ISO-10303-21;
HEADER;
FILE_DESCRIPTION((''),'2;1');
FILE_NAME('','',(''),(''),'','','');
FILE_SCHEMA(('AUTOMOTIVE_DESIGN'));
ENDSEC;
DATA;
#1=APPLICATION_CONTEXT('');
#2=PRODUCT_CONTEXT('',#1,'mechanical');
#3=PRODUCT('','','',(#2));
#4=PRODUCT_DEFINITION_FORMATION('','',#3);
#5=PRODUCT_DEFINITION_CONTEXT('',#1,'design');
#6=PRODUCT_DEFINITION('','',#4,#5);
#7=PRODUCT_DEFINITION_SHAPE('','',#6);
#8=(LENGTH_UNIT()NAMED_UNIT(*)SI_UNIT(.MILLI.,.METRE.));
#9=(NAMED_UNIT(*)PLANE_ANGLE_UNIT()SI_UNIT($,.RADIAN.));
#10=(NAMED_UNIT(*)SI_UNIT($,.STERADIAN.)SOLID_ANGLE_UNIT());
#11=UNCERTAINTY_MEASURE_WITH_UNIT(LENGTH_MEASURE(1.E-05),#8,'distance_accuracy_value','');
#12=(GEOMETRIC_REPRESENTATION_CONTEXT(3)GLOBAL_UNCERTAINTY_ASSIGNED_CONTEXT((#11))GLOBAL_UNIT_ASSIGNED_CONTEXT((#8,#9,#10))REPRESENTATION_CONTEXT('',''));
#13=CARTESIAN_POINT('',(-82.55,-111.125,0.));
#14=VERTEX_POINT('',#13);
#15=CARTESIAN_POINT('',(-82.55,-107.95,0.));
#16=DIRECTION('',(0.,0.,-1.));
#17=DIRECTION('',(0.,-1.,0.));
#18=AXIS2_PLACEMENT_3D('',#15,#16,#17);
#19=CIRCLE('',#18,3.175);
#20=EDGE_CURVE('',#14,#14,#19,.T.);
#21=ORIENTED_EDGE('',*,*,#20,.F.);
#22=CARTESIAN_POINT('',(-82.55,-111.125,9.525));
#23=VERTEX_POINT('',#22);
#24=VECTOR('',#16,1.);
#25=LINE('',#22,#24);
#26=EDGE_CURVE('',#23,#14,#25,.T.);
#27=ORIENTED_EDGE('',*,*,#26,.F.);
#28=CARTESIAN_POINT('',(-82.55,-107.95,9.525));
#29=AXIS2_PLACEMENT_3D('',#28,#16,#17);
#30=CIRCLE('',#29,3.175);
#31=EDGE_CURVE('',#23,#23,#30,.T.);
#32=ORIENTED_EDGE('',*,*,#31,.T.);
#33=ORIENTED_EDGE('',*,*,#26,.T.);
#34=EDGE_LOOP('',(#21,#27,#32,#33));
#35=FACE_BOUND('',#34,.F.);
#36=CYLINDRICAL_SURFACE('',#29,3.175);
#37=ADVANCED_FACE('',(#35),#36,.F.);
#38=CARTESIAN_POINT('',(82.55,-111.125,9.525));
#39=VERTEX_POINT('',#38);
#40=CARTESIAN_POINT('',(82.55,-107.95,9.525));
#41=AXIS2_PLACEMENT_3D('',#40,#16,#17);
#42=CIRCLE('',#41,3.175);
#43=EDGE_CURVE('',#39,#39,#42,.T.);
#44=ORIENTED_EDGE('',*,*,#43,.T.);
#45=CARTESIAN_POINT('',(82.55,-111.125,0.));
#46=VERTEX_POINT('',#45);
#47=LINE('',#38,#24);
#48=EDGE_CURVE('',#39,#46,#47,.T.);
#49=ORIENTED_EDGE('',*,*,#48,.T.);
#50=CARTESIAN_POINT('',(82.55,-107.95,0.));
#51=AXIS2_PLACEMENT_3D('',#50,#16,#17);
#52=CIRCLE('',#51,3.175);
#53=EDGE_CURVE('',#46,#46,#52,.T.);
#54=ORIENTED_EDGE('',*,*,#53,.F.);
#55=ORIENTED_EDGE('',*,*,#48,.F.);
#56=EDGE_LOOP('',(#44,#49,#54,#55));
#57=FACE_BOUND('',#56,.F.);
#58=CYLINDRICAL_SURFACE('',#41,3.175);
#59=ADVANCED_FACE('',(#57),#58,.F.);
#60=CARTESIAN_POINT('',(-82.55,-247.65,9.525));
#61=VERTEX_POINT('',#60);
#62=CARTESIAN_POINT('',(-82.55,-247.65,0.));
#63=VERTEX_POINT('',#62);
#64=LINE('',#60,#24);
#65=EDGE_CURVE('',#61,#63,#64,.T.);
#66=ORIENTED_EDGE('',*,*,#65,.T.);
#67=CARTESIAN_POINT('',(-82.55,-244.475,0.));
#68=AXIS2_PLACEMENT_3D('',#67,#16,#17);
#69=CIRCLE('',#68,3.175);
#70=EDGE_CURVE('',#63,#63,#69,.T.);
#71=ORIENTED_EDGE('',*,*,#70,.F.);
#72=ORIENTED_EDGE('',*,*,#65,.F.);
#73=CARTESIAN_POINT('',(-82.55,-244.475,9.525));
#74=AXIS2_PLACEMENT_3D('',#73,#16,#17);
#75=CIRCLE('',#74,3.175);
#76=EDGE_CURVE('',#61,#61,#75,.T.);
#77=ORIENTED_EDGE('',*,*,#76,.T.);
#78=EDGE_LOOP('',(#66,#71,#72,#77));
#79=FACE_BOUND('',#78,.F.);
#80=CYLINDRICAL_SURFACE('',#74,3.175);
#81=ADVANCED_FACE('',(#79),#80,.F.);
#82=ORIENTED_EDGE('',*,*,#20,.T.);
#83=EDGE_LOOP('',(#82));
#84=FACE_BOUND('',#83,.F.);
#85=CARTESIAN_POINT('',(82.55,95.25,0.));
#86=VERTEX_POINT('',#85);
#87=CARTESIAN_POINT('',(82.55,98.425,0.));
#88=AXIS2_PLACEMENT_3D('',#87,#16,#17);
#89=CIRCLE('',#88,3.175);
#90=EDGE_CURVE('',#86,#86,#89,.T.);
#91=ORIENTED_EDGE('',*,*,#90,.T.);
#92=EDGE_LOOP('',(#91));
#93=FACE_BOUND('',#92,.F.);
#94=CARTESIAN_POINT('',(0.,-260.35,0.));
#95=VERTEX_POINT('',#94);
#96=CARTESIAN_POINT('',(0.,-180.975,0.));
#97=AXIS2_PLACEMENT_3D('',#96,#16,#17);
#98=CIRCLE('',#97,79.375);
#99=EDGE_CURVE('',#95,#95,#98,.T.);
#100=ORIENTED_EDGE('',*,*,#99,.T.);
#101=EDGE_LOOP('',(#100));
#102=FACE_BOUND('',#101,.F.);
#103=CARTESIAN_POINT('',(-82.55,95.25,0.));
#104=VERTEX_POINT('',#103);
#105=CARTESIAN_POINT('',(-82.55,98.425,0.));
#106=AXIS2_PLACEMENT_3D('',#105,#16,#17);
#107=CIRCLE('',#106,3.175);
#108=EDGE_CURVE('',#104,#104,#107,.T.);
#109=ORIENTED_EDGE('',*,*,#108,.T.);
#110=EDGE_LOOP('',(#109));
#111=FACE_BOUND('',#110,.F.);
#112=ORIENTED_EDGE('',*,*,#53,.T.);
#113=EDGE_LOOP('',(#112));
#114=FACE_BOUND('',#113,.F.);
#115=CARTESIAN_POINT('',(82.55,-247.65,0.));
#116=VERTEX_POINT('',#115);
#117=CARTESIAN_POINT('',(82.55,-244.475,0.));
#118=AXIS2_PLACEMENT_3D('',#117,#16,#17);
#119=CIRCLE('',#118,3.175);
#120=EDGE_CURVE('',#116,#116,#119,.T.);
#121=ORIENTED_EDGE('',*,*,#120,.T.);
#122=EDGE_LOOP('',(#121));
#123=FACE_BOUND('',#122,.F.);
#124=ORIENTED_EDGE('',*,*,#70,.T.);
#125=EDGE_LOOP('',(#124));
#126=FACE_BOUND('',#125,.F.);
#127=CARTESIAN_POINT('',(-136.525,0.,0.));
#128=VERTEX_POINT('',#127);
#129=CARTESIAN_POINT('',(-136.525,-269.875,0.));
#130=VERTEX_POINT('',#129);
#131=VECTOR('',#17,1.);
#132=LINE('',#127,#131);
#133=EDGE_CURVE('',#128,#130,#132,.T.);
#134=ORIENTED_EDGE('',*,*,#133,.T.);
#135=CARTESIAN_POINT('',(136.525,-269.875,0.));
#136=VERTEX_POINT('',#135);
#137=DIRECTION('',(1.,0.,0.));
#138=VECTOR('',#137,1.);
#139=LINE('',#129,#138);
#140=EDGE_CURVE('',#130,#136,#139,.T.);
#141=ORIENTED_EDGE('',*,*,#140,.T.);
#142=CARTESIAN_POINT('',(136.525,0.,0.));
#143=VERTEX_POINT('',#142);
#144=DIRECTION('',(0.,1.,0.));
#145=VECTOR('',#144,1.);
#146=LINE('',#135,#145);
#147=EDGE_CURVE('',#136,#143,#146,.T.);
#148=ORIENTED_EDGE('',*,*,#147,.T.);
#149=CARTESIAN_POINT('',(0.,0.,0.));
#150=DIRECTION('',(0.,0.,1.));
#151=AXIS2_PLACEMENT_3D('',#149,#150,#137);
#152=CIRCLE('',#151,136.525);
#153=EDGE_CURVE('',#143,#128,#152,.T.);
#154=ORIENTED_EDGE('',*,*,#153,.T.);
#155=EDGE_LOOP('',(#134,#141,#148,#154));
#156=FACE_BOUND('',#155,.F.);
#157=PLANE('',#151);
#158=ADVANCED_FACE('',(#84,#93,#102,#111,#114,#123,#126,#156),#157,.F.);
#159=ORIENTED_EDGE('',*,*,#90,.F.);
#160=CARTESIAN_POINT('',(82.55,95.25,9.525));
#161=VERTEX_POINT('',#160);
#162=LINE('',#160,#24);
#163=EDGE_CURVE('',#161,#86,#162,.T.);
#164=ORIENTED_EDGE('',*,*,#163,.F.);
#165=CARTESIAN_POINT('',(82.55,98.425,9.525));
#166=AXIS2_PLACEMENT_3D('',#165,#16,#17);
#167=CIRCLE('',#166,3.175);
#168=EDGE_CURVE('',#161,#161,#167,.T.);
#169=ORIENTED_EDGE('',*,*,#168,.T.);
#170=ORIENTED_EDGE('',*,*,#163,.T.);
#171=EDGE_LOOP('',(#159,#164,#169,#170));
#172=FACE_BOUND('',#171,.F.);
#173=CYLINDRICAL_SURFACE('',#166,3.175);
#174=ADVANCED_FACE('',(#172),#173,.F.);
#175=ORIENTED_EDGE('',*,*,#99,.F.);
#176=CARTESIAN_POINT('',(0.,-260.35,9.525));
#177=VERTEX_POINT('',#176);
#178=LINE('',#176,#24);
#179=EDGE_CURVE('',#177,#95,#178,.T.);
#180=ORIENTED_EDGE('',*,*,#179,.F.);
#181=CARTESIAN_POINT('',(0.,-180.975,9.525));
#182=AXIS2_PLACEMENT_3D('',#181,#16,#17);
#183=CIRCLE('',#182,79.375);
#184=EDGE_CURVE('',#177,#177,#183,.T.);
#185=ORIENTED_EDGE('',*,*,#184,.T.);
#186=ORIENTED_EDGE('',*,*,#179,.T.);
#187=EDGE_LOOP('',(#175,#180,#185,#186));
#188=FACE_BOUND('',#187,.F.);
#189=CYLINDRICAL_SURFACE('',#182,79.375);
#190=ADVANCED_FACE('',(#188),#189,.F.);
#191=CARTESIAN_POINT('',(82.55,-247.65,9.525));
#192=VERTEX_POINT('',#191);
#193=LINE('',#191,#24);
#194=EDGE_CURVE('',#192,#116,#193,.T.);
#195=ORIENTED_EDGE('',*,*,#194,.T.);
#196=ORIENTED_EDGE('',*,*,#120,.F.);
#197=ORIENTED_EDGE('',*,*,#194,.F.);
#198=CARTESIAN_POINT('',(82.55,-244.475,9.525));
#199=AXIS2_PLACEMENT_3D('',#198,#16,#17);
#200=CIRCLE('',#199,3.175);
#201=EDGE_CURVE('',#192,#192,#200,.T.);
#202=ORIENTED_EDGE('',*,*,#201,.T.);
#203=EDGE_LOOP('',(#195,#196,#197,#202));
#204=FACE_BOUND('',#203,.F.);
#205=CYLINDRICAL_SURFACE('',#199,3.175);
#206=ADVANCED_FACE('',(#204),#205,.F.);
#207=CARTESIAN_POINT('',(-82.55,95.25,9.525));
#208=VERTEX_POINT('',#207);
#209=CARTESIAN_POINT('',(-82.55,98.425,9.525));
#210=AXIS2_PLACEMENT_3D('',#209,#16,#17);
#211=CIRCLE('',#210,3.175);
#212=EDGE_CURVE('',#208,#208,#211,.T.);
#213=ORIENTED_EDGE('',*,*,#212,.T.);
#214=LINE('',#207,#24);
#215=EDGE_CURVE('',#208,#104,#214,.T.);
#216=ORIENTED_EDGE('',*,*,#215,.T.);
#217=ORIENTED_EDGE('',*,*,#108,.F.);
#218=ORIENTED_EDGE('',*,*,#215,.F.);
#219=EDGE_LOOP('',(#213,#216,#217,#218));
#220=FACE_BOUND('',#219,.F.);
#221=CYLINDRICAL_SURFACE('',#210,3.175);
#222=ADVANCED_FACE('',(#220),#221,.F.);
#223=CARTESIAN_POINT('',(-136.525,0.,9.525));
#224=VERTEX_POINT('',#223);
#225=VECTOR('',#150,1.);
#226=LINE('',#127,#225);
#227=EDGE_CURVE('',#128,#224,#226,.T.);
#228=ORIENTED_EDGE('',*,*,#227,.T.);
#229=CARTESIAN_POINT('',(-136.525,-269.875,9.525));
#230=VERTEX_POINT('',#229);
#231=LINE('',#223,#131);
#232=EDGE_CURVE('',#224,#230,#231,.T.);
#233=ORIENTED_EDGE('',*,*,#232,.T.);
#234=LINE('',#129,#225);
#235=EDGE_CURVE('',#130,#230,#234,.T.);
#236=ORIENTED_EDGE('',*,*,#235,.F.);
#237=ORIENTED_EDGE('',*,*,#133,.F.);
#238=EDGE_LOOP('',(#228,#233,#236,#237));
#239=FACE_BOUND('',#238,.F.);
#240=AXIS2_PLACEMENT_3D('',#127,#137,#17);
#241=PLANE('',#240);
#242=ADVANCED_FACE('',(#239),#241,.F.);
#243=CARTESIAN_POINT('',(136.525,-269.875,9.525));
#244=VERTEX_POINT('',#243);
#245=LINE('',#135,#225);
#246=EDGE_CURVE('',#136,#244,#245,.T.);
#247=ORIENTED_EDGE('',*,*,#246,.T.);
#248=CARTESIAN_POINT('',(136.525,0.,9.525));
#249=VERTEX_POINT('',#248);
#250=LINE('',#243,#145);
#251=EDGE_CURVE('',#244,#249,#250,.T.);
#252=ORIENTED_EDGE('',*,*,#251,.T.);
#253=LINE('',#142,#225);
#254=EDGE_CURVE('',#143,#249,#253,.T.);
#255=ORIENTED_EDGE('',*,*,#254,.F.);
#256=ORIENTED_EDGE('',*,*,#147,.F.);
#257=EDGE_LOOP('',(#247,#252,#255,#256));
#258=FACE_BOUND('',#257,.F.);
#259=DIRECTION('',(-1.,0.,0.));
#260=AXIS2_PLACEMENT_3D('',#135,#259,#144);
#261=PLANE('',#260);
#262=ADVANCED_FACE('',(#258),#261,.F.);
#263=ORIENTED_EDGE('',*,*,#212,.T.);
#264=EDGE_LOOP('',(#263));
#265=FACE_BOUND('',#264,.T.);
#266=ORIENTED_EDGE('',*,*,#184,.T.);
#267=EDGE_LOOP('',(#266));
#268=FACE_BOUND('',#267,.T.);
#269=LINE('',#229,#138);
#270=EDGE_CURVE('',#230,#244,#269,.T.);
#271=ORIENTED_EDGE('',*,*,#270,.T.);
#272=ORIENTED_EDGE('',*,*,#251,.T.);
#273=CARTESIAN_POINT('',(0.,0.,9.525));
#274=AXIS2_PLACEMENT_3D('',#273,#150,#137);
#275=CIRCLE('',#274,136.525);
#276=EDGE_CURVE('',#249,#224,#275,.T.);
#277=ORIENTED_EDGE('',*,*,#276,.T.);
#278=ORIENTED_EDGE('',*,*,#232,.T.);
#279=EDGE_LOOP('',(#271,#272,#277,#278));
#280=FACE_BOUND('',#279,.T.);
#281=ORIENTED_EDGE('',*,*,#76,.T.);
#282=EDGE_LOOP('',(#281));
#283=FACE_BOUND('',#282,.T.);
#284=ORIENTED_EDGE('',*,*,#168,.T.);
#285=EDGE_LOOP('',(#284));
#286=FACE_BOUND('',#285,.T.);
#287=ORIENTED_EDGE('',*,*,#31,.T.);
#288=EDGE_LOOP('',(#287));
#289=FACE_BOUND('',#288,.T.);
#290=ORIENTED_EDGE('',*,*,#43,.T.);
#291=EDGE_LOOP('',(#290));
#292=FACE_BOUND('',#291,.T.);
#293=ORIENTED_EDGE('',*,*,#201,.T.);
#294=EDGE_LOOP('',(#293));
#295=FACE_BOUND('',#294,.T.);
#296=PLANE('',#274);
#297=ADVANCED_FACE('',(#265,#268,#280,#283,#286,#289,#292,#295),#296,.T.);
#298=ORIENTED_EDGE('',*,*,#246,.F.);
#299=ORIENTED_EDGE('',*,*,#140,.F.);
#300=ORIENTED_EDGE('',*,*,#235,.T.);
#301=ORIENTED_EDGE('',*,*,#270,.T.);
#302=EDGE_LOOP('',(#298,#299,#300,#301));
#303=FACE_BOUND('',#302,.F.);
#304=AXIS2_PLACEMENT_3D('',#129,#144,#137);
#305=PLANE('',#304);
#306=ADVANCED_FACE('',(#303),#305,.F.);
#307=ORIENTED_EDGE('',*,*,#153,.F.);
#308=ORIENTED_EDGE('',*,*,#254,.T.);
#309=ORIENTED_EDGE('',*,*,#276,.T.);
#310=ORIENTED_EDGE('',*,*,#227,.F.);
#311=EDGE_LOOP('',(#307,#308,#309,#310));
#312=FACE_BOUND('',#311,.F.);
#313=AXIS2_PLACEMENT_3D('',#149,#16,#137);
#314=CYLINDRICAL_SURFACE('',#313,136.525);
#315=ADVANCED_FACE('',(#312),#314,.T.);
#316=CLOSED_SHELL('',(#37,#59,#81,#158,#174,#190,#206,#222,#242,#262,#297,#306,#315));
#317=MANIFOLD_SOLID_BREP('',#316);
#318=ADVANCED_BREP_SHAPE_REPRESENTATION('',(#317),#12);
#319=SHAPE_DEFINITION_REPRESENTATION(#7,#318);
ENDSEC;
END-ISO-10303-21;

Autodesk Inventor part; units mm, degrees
ref_plane "YZ Plane" through (0, 0, 0) normal (1, 0, 0) x (0, 1, 0)
ref_plane "XZ Plane" through (0, 0, 0) normal (0, 1, 0) x (-1, 0, 0)
ref_plane "XY Plane" through (0, 0, 0) normal (0, 0, 1) x (1, 0, 0)
sketch "Sketch1" plane through (0, 0, 0) normal (0, 0, 1) x (1, 0, 0)
  line L0 (-136.525, 0) -> (-136.525, -269.875)
  line L1 (-136.525, -269.875) -> (136.525, -269.875)
  line L2 (136.525, -269.875) -> (136.525, 0)
  arc A0 (136.525, 0) -> (-136.525, 0) centre (0, 0) ccw
  dimension "d0" = 273.05
  dimension "d1" = 406.4
extrude "Extrusion1" add sketch "Sketch1" along normal blind 9.525
hole "Hole1" at (-82.55, -244.475, 9.525) direction (0, 0, -1) diameter 6.35 depth 25.4 tip angle 118
hole "Hole2" at (82.55, -244.475, 9.525) direction (0, 0, -1) diameter 6.35 depth 25.4 tip angle 118
hole "Hole3" at (-82.55, -107.95, 9.525) direction (0, 0, -1) diameter 6.35 depth 25.4 tip angle 118
hole "Hole4" at (82.55, -107.95, 9.525) direction (0, 0, -1) diameter 6.35 depth 25.4 tip angle 118
hole "Hole5" at (-82.55, 98.425, 9.525) direction (0, 0, -1) diameter 6.35 depth 25.4 tip angle 118
hole "Hole6" at (82.55, 98.425, 9.525) direction (0, 0, -1) diameter 6.35 depth 25.4 tip angle 118
hole "Hole7" at (0, -180.975, 9.525) direction (0, 0, -1) diameter 158.75 depth 25.4 tip angle 118
properties part number "Bottom_Deck"
